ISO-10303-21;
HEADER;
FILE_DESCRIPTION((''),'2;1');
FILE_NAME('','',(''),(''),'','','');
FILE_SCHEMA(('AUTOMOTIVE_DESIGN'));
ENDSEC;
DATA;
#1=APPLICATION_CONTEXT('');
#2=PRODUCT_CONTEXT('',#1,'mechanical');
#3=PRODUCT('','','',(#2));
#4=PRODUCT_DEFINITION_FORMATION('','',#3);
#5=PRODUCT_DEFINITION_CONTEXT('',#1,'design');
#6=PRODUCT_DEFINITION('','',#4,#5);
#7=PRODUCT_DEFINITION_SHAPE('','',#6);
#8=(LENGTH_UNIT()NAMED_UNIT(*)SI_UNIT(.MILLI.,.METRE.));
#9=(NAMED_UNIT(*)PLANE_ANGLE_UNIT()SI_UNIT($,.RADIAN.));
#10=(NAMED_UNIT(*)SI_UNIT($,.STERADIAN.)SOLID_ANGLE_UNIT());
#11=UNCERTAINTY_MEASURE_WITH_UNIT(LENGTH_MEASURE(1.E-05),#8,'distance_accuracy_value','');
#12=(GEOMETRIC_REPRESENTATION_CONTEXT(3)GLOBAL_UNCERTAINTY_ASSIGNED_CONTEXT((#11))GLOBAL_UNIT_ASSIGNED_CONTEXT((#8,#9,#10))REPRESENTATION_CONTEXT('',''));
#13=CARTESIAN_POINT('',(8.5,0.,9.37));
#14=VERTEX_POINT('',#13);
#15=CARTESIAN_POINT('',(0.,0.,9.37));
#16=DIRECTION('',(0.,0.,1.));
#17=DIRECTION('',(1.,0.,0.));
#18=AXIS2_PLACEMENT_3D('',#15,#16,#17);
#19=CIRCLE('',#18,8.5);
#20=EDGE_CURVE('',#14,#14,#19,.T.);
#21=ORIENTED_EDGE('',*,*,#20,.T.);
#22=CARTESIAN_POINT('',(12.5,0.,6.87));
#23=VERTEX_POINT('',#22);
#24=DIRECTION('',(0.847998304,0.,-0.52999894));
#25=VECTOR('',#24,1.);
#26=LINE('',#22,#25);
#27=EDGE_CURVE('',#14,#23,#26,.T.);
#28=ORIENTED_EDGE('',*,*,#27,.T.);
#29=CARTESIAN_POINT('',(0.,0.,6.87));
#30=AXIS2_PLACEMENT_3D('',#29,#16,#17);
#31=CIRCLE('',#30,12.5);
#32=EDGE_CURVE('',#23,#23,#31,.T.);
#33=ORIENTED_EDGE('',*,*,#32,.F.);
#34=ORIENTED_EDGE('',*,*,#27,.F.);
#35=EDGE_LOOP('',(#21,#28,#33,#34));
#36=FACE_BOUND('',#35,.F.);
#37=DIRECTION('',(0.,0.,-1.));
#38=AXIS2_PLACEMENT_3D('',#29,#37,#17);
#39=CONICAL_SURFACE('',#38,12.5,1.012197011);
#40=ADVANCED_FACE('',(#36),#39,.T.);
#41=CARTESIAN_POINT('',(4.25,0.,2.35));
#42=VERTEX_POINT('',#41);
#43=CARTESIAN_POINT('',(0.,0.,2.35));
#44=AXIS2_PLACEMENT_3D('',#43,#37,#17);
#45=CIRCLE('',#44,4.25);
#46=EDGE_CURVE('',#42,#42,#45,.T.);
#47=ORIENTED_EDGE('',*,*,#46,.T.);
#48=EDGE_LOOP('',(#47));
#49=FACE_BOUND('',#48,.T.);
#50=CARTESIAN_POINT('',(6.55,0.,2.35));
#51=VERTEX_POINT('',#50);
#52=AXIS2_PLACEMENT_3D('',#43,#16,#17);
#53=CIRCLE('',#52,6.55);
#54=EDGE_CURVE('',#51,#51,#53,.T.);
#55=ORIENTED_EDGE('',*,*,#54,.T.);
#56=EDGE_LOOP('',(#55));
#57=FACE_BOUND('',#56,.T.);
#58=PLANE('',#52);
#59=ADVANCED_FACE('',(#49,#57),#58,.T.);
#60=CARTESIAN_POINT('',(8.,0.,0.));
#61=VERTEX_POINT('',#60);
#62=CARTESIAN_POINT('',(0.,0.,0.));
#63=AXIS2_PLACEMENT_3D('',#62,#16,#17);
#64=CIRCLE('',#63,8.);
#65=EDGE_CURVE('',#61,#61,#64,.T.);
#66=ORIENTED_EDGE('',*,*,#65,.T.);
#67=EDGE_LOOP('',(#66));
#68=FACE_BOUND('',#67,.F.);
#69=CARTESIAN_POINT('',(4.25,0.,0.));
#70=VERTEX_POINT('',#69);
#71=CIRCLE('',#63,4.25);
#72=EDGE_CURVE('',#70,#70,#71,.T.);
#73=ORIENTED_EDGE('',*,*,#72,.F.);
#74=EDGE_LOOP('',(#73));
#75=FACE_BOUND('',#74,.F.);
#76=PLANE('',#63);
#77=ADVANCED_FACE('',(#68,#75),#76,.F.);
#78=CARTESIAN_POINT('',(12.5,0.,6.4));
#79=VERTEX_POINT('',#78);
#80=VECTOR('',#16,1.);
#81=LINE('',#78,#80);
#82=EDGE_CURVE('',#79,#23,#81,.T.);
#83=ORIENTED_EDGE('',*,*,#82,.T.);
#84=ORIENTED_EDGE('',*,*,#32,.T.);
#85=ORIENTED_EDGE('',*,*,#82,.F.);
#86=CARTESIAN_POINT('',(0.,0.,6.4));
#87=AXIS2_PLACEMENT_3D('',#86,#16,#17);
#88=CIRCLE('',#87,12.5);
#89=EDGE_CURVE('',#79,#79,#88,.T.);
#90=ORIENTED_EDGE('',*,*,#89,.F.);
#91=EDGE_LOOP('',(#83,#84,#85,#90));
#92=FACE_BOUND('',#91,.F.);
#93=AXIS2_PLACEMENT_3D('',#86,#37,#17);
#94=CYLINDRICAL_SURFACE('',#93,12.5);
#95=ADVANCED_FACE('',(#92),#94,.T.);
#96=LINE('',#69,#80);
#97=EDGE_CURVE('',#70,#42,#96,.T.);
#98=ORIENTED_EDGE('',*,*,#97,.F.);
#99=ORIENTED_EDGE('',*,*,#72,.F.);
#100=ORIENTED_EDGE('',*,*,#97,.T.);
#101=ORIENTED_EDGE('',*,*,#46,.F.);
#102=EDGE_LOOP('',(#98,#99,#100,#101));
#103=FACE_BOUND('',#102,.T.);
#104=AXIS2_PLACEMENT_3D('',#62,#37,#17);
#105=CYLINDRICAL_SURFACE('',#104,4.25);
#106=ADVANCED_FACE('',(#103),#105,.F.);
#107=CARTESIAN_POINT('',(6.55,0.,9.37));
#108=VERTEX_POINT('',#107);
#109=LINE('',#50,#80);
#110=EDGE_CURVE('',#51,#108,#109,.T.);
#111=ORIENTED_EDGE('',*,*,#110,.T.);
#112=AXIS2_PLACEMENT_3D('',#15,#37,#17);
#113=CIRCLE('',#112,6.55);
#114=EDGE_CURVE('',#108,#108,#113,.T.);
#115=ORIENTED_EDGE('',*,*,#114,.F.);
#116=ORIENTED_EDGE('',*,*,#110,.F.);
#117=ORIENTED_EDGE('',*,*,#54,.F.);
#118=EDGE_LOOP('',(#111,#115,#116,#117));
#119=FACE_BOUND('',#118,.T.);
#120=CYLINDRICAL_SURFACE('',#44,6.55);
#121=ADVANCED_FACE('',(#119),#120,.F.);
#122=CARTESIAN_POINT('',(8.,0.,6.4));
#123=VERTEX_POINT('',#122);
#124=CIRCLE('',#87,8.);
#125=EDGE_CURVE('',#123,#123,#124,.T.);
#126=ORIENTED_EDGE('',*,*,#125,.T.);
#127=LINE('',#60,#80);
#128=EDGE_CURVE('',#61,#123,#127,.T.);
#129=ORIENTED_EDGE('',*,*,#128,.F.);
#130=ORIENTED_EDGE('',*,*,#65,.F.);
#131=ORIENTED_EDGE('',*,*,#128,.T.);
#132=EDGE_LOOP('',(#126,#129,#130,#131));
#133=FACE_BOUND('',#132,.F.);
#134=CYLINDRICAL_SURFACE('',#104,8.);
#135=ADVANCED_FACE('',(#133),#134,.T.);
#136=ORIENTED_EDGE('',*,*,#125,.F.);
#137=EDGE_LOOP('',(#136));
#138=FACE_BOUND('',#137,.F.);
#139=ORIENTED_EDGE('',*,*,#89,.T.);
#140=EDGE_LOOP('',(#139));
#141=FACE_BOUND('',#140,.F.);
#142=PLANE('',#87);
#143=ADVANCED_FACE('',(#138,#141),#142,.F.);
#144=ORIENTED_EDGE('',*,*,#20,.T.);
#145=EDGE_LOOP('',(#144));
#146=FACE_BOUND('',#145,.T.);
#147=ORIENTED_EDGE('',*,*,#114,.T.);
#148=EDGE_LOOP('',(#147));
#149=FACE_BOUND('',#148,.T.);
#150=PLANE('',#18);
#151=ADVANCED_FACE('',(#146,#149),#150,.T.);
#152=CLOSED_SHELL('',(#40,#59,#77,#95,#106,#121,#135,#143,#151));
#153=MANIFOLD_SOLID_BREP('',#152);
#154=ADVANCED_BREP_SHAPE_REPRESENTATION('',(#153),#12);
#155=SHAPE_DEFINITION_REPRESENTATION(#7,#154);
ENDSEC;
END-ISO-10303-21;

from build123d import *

# Parameters (mm, degrees)
F1_START = 6.4
F0_R     = 12.5
F1_DEPTH = 2.97
F2_R     = 8
F3_DEPTH = 6.4
F4_SIZE2 = 2.5
F4_SIZE  = 4
F5_R     = 4.25
F6_DEPTH = 9.37
F8_START = 2.35
F7_R     = 6.55
F8_DEPTH = 22.65


with BuildPart() as f1:
    # F0 (on Top) → F1 (new body)
    with BuildSketch(Plane.XY.offset(F1_START)):
        Circle(F0_R)
    extrude(amount=F1_DEPTH)

    # F2 (on Top) → F3 (join, through all)
    with BuildSketch(Plane.XY):
        Circle(F2_R)
    extrude(amount=F3_DEPTH)

    # F4
    f4_edges = [f1.edges().sort_by_distance(p)[0] for p in [
        (-12.5, 0, 9.37),
    ]]
    f4_side = f1.faces().sort_by_distance((0, 0, 9.37))[0]
    chamfer(f4_edges, length=F4_SIZE, length2=F4_SIZE2, reference=f4_side)

    # F5 (on Top) → F6 (cut, through all)
    with BuildSketch(Plane.XY):
        Circle(F5_R)
    extrude(amount=F6_DEPTH, mode=Mode.SUBTRACT)

    # F7 (on Top) → F8 (cut)
    with BuildSketch(Plane.XY.offset(F8_START)):
        Circle(F7_R)
    extrude(amount=F8_DEPTH, mode=Mode.SUBTRACT)


solid = f1.part
